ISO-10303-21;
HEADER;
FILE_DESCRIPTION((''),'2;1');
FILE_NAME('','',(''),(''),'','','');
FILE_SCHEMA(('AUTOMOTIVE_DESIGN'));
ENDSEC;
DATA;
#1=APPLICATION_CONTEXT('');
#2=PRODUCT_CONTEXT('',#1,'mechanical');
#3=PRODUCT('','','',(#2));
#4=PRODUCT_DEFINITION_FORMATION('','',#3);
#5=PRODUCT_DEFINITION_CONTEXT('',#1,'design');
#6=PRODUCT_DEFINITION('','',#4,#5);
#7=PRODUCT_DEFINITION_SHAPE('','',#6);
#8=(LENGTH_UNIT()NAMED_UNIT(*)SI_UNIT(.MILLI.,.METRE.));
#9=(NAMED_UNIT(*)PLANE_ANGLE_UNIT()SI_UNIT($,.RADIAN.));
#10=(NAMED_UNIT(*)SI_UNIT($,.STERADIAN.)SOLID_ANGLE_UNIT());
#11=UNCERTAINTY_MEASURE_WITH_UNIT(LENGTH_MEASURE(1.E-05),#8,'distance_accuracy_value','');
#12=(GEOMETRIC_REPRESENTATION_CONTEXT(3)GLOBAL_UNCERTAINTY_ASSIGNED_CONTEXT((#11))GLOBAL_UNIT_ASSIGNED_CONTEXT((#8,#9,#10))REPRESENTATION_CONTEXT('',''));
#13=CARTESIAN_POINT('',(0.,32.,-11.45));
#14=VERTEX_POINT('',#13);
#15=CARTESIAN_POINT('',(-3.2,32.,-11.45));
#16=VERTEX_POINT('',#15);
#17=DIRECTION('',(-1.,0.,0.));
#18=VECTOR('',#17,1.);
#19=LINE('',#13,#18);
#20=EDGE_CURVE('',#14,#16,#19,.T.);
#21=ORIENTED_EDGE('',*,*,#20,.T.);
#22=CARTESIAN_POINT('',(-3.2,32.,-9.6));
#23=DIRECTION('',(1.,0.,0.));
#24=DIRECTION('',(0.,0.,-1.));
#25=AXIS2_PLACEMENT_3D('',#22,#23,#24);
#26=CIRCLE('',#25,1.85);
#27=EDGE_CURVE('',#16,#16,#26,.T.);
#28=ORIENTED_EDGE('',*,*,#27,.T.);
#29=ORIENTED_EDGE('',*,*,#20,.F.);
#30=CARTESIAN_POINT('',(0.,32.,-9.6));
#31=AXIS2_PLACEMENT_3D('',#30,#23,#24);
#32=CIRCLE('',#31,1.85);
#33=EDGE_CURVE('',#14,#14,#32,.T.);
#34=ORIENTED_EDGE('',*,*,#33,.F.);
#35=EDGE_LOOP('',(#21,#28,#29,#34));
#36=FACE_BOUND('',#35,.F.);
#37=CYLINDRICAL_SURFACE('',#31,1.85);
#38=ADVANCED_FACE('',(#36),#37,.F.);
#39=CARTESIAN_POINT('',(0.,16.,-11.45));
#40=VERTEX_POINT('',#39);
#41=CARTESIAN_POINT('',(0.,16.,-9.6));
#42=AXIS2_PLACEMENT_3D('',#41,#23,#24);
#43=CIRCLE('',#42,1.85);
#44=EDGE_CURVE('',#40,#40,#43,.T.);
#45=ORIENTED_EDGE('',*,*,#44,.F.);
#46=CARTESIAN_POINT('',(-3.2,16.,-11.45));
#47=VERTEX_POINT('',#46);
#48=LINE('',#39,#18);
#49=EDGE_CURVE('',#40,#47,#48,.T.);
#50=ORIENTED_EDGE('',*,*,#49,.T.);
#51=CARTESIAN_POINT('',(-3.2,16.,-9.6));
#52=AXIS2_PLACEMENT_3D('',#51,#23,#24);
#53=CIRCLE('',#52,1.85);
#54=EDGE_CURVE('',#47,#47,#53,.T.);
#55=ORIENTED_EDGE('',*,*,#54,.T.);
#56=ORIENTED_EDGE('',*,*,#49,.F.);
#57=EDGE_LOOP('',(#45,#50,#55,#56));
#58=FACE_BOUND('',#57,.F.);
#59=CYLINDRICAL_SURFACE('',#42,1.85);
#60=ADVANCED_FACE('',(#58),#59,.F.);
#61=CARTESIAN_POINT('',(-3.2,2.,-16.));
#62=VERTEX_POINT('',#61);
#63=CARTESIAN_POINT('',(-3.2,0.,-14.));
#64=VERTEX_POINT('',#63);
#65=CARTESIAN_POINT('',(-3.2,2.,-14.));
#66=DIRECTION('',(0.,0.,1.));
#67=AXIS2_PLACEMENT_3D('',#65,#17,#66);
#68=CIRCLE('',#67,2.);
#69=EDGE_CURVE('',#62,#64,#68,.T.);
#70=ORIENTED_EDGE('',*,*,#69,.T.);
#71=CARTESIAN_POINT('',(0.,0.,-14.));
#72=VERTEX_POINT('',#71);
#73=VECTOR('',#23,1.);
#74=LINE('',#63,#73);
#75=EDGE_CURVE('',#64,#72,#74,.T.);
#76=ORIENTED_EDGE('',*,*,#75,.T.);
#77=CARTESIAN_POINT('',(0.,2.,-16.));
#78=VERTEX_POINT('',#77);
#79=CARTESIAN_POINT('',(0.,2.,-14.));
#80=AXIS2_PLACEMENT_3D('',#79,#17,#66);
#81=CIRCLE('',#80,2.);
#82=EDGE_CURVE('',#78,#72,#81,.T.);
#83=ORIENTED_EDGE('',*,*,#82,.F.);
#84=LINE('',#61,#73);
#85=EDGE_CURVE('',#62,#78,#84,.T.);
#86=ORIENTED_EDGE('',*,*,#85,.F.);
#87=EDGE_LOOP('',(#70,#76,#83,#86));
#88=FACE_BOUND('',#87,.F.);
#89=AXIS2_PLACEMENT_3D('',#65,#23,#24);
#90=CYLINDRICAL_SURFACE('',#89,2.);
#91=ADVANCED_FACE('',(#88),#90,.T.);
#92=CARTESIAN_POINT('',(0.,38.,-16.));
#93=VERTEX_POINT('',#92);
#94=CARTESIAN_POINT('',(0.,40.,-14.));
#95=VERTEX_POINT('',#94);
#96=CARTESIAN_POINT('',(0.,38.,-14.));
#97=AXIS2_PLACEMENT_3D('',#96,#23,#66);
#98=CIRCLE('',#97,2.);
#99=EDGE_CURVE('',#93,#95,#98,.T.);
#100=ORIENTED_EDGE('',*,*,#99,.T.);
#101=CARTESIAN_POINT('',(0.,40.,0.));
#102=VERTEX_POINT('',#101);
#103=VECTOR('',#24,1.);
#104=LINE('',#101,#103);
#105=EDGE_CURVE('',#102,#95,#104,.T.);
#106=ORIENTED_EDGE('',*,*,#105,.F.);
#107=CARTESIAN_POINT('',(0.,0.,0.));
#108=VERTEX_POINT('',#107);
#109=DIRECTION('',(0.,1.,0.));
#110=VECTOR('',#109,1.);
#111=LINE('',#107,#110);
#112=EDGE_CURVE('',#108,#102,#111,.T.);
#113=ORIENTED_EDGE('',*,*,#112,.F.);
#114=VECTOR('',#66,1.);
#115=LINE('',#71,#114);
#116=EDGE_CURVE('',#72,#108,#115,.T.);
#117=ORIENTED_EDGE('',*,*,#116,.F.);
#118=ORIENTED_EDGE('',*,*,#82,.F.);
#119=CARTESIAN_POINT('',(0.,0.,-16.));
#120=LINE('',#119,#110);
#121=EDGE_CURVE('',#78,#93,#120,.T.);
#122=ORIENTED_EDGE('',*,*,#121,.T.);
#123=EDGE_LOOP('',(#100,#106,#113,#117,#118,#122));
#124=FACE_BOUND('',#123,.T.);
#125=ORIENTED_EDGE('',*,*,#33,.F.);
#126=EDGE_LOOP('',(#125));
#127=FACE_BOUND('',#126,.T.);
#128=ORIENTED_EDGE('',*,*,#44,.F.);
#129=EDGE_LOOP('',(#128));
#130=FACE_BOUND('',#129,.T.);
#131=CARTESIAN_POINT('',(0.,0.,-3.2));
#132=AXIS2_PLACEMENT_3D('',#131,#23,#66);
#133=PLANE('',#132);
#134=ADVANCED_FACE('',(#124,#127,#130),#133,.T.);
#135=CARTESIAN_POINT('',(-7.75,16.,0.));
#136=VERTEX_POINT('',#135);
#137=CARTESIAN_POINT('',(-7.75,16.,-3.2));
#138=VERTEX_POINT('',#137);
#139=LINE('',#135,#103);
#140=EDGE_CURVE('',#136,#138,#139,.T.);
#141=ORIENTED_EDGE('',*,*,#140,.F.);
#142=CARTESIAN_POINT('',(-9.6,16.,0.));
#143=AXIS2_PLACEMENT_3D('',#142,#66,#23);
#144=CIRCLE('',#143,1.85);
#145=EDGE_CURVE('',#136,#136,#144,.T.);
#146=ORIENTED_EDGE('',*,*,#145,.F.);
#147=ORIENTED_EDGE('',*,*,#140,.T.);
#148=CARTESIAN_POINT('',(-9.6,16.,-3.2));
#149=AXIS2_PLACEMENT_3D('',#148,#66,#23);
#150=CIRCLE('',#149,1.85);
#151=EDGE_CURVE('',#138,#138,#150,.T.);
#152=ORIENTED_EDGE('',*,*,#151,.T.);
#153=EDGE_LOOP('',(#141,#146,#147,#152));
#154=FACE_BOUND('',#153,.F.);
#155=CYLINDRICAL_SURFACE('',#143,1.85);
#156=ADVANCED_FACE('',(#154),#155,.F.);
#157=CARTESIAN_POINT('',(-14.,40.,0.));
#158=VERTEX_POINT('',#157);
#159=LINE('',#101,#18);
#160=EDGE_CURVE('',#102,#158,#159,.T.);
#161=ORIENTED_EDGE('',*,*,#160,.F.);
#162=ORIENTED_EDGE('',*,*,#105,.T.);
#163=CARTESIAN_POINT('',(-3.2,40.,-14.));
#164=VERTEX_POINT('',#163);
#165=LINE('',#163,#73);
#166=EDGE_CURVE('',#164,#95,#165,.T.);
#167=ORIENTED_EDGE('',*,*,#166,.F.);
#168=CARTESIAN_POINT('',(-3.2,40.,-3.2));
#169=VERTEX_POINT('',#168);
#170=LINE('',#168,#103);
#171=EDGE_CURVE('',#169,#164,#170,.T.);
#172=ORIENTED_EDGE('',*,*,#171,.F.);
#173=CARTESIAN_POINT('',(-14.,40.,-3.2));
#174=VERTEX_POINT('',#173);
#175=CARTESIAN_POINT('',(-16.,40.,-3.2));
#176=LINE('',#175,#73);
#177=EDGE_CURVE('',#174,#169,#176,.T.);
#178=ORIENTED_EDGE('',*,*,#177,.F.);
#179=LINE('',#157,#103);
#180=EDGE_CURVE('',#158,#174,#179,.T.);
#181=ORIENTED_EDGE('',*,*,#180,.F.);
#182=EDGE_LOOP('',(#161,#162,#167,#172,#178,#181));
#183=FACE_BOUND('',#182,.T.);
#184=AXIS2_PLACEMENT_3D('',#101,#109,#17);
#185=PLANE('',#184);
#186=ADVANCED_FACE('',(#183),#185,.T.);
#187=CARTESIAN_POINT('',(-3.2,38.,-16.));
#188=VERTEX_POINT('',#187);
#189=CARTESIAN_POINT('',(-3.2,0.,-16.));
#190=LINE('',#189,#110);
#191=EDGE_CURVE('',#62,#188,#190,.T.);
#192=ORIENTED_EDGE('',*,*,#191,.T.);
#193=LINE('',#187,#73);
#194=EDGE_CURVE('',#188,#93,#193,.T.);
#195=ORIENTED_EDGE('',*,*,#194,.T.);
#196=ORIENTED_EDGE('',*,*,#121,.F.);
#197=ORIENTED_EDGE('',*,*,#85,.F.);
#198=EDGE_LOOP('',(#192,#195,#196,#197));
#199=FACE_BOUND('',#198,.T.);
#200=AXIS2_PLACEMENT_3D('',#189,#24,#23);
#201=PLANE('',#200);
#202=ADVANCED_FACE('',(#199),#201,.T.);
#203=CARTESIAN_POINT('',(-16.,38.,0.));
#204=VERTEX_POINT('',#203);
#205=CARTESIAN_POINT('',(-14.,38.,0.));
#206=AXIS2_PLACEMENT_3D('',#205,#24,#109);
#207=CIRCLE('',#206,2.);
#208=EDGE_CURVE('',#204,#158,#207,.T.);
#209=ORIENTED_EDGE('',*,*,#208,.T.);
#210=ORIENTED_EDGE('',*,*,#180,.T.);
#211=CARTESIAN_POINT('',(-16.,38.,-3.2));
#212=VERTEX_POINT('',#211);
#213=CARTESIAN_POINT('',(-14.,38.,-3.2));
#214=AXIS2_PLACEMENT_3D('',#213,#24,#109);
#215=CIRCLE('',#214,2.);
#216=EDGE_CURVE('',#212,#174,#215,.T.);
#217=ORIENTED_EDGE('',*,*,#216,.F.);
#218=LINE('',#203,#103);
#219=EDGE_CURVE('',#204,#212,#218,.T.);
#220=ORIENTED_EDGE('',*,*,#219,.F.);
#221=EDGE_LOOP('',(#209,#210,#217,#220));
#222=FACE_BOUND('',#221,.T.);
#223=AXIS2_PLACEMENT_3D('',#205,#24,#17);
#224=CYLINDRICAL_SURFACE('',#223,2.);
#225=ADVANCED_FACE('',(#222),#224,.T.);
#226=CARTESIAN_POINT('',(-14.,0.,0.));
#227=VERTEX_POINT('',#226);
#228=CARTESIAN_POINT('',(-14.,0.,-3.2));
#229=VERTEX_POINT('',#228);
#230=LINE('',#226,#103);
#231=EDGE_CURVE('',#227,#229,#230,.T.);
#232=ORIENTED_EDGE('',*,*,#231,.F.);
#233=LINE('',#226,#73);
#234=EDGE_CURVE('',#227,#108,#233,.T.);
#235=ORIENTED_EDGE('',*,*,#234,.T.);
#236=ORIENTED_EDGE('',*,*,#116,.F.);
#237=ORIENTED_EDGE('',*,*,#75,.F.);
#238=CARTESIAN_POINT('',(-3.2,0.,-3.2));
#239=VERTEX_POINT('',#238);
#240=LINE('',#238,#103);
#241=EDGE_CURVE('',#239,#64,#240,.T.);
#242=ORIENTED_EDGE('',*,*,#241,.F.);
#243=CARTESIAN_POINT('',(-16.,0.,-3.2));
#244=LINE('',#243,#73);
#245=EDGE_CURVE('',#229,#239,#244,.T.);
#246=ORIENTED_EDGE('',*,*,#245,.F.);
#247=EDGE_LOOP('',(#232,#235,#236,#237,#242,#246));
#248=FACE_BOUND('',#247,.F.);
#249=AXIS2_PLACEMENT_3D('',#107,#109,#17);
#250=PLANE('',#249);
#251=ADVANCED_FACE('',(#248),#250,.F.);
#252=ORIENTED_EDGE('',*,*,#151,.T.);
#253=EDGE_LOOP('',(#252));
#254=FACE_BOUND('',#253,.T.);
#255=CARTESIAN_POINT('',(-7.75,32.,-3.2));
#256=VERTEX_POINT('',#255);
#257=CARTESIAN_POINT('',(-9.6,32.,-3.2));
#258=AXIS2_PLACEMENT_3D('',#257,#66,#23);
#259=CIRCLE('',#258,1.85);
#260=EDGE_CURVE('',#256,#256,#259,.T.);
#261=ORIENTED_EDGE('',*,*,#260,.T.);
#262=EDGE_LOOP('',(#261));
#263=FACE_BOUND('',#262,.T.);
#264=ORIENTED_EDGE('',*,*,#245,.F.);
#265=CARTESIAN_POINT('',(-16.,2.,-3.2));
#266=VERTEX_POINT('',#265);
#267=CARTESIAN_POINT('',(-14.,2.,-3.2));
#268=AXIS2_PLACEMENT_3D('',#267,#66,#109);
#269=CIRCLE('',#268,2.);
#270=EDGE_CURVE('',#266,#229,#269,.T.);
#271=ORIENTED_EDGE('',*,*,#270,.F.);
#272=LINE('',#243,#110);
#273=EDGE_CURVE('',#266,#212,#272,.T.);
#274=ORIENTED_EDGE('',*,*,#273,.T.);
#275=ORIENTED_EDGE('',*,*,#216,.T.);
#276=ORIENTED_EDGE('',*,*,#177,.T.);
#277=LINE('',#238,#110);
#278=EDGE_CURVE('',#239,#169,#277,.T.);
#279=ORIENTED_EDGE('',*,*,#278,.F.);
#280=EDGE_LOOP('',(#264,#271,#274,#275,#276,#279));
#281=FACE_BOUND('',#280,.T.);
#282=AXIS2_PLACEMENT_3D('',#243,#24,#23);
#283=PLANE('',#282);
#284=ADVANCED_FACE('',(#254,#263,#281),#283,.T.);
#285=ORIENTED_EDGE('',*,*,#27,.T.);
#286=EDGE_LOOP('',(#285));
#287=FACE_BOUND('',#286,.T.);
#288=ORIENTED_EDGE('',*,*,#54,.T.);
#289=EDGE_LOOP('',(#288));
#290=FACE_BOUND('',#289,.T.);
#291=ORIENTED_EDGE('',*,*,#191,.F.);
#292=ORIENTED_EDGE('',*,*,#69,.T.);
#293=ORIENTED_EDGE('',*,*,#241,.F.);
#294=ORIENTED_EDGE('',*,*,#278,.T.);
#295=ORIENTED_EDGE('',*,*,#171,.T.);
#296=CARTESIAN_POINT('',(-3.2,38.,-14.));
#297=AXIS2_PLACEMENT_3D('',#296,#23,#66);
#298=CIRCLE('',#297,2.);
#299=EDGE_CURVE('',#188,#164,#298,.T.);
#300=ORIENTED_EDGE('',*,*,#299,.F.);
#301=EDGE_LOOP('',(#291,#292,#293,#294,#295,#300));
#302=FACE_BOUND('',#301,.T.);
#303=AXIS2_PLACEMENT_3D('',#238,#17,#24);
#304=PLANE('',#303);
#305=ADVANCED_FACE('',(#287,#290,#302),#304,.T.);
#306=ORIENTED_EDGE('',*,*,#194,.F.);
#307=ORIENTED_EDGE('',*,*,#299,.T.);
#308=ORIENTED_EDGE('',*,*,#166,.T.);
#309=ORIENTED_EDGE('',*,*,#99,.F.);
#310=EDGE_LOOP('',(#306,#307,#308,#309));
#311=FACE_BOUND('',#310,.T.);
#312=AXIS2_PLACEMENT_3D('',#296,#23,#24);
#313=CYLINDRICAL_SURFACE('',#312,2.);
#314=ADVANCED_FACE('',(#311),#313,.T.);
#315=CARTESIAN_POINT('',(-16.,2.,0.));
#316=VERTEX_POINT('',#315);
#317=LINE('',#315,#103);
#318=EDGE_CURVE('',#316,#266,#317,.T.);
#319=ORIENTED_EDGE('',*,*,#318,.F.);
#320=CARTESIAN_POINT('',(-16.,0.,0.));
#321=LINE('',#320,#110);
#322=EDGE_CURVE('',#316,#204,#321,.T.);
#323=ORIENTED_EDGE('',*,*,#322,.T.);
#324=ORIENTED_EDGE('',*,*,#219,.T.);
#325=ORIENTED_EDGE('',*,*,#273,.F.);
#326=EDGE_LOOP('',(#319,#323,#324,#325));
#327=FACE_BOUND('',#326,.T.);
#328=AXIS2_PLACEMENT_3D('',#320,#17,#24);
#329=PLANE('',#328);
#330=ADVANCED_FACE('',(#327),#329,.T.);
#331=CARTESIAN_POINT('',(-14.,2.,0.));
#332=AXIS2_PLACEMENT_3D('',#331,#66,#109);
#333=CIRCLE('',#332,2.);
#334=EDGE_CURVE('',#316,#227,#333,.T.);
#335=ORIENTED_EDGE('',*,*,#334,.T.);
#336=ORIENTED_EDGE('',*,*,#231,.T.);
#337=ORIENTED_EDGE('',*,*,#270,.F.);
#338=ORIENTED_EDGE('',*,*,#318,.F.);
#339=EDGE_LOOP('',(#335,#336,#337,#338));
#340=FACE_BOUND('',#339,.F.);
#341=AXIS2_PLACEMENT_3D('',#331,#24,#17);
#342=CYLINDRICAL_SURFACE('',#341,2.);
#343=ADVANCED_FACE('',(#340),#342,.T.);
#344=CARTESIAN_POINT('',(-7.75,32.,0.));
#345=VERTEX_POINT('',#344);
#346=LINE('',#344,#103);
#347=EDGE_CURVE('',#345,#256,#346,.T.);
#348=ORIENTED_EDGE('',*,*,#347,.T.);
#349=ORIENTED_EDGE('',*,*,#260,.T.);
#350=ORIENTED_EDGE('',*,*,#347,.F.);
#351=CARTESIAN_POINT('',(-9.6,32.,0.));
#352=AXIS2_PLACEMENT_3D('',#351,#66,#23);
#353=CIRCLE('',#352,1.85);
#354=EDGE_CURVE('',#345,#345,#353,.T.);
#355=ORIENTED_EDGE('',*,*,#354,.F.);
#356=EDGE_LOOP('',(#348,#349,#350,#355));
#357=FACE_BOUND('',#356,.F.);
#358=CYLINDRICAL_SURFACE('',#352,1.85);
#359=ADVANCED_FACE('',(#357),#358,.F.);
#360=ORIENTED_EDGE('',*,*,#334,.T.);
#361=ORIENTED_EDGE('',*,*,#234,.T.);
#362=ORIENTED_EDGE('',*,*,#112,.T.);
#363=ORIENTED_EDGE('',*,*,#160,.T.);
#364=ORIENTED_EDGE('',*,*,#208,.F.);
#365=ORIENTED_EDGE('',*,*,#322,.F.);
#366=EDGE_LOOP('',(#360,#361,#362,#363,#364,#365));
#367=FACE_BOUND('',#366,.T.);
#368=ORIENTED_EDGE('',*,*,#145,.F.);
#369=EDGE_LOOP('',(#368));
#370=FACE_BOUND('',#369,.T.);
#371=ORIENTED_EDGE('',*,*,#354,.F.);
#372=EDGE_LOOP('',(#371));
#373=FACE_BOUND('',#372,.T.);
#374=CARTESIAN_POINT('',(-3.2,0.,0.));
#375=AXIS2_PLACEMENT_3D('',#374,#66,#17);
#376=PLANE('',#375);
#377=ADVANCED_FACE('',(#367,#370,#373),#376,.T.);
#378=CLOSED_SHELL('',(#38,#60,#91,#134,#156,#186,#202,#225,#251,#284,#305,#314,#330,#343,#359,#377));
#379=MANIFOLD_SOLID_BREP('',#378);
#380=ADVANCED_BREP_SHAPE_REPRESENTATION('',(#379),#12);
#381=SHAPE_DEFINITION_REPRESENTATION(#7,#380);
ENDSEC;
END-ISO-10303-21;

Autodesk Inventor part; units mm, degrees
ref_plane "YZ Plane" through (0, 0, 0) normal (1, 0, 0) x (0, 1, 0)
ref_plane "XZ Plane" through (0, 0, 0) normal (0, 1, 0) x (-1, 0, 0)
ref_plane "XY Plane" through (0, 0, 0) normal (0, 0, 1) x (1, 0, 0)
sketch "Sketch1" plane through (0, 0, 0) normal (0, 1, 0) x (-1, 0, 0)
  line L0 (0, 0) -> (16, 0)
  line L1 (16, 0) -> (16, -3.2)
  line L2 (16, -3.2) -> (3.2, -3.2)
  line L3 (0, -3.2) -> (0, 0)
  line L4 (0, 0) -> (3.2, 0)
  line L5 (3.2, -3.2) -> (3.2, -16)
  line L6 (3.2, -16) -> (0, -16)
  line L7 (0, -16) -> (0, 0)
  dimension "d0" = 16
  dimension "d1" = 3.2
  dimension "d2" = 3.2
  dimension "d3" = 16
extrude "Extrusion1" add sketch "Sketch1" along normal blind 40
fillet "Fillet1" radius 2 4 edges at (-1.6, 40, -16) (-16, 40, -1.6) (-1.6, 0, -16) (-16, 0, -1.6)
sketch "Sketch4" plane through (0, 0, 0) normal (1, 0, 0) x (0, 0, -1)
  circle A0 centre (9.6, 16) radius 1.85
  circle A1 centre (9.6, 32) radius 1.85
  point P0 (0, 0)
sketch "Sketch5" plane through (0, 0, 0) normal (0, 0, 1) x (1, 0, 0)
  circle A0 centre (-9.6, 16) radius 1.85
  circle A1 centre (-9.6, 32) radius 1.85
  point P0 (0, 0)
extrude "Extrusion4" cut sketch "Sketch4" against normal through all
extrude "Extrusion5" cut sketch "Sketch5" against normal through all
properties part number "wheelguardbracket"
